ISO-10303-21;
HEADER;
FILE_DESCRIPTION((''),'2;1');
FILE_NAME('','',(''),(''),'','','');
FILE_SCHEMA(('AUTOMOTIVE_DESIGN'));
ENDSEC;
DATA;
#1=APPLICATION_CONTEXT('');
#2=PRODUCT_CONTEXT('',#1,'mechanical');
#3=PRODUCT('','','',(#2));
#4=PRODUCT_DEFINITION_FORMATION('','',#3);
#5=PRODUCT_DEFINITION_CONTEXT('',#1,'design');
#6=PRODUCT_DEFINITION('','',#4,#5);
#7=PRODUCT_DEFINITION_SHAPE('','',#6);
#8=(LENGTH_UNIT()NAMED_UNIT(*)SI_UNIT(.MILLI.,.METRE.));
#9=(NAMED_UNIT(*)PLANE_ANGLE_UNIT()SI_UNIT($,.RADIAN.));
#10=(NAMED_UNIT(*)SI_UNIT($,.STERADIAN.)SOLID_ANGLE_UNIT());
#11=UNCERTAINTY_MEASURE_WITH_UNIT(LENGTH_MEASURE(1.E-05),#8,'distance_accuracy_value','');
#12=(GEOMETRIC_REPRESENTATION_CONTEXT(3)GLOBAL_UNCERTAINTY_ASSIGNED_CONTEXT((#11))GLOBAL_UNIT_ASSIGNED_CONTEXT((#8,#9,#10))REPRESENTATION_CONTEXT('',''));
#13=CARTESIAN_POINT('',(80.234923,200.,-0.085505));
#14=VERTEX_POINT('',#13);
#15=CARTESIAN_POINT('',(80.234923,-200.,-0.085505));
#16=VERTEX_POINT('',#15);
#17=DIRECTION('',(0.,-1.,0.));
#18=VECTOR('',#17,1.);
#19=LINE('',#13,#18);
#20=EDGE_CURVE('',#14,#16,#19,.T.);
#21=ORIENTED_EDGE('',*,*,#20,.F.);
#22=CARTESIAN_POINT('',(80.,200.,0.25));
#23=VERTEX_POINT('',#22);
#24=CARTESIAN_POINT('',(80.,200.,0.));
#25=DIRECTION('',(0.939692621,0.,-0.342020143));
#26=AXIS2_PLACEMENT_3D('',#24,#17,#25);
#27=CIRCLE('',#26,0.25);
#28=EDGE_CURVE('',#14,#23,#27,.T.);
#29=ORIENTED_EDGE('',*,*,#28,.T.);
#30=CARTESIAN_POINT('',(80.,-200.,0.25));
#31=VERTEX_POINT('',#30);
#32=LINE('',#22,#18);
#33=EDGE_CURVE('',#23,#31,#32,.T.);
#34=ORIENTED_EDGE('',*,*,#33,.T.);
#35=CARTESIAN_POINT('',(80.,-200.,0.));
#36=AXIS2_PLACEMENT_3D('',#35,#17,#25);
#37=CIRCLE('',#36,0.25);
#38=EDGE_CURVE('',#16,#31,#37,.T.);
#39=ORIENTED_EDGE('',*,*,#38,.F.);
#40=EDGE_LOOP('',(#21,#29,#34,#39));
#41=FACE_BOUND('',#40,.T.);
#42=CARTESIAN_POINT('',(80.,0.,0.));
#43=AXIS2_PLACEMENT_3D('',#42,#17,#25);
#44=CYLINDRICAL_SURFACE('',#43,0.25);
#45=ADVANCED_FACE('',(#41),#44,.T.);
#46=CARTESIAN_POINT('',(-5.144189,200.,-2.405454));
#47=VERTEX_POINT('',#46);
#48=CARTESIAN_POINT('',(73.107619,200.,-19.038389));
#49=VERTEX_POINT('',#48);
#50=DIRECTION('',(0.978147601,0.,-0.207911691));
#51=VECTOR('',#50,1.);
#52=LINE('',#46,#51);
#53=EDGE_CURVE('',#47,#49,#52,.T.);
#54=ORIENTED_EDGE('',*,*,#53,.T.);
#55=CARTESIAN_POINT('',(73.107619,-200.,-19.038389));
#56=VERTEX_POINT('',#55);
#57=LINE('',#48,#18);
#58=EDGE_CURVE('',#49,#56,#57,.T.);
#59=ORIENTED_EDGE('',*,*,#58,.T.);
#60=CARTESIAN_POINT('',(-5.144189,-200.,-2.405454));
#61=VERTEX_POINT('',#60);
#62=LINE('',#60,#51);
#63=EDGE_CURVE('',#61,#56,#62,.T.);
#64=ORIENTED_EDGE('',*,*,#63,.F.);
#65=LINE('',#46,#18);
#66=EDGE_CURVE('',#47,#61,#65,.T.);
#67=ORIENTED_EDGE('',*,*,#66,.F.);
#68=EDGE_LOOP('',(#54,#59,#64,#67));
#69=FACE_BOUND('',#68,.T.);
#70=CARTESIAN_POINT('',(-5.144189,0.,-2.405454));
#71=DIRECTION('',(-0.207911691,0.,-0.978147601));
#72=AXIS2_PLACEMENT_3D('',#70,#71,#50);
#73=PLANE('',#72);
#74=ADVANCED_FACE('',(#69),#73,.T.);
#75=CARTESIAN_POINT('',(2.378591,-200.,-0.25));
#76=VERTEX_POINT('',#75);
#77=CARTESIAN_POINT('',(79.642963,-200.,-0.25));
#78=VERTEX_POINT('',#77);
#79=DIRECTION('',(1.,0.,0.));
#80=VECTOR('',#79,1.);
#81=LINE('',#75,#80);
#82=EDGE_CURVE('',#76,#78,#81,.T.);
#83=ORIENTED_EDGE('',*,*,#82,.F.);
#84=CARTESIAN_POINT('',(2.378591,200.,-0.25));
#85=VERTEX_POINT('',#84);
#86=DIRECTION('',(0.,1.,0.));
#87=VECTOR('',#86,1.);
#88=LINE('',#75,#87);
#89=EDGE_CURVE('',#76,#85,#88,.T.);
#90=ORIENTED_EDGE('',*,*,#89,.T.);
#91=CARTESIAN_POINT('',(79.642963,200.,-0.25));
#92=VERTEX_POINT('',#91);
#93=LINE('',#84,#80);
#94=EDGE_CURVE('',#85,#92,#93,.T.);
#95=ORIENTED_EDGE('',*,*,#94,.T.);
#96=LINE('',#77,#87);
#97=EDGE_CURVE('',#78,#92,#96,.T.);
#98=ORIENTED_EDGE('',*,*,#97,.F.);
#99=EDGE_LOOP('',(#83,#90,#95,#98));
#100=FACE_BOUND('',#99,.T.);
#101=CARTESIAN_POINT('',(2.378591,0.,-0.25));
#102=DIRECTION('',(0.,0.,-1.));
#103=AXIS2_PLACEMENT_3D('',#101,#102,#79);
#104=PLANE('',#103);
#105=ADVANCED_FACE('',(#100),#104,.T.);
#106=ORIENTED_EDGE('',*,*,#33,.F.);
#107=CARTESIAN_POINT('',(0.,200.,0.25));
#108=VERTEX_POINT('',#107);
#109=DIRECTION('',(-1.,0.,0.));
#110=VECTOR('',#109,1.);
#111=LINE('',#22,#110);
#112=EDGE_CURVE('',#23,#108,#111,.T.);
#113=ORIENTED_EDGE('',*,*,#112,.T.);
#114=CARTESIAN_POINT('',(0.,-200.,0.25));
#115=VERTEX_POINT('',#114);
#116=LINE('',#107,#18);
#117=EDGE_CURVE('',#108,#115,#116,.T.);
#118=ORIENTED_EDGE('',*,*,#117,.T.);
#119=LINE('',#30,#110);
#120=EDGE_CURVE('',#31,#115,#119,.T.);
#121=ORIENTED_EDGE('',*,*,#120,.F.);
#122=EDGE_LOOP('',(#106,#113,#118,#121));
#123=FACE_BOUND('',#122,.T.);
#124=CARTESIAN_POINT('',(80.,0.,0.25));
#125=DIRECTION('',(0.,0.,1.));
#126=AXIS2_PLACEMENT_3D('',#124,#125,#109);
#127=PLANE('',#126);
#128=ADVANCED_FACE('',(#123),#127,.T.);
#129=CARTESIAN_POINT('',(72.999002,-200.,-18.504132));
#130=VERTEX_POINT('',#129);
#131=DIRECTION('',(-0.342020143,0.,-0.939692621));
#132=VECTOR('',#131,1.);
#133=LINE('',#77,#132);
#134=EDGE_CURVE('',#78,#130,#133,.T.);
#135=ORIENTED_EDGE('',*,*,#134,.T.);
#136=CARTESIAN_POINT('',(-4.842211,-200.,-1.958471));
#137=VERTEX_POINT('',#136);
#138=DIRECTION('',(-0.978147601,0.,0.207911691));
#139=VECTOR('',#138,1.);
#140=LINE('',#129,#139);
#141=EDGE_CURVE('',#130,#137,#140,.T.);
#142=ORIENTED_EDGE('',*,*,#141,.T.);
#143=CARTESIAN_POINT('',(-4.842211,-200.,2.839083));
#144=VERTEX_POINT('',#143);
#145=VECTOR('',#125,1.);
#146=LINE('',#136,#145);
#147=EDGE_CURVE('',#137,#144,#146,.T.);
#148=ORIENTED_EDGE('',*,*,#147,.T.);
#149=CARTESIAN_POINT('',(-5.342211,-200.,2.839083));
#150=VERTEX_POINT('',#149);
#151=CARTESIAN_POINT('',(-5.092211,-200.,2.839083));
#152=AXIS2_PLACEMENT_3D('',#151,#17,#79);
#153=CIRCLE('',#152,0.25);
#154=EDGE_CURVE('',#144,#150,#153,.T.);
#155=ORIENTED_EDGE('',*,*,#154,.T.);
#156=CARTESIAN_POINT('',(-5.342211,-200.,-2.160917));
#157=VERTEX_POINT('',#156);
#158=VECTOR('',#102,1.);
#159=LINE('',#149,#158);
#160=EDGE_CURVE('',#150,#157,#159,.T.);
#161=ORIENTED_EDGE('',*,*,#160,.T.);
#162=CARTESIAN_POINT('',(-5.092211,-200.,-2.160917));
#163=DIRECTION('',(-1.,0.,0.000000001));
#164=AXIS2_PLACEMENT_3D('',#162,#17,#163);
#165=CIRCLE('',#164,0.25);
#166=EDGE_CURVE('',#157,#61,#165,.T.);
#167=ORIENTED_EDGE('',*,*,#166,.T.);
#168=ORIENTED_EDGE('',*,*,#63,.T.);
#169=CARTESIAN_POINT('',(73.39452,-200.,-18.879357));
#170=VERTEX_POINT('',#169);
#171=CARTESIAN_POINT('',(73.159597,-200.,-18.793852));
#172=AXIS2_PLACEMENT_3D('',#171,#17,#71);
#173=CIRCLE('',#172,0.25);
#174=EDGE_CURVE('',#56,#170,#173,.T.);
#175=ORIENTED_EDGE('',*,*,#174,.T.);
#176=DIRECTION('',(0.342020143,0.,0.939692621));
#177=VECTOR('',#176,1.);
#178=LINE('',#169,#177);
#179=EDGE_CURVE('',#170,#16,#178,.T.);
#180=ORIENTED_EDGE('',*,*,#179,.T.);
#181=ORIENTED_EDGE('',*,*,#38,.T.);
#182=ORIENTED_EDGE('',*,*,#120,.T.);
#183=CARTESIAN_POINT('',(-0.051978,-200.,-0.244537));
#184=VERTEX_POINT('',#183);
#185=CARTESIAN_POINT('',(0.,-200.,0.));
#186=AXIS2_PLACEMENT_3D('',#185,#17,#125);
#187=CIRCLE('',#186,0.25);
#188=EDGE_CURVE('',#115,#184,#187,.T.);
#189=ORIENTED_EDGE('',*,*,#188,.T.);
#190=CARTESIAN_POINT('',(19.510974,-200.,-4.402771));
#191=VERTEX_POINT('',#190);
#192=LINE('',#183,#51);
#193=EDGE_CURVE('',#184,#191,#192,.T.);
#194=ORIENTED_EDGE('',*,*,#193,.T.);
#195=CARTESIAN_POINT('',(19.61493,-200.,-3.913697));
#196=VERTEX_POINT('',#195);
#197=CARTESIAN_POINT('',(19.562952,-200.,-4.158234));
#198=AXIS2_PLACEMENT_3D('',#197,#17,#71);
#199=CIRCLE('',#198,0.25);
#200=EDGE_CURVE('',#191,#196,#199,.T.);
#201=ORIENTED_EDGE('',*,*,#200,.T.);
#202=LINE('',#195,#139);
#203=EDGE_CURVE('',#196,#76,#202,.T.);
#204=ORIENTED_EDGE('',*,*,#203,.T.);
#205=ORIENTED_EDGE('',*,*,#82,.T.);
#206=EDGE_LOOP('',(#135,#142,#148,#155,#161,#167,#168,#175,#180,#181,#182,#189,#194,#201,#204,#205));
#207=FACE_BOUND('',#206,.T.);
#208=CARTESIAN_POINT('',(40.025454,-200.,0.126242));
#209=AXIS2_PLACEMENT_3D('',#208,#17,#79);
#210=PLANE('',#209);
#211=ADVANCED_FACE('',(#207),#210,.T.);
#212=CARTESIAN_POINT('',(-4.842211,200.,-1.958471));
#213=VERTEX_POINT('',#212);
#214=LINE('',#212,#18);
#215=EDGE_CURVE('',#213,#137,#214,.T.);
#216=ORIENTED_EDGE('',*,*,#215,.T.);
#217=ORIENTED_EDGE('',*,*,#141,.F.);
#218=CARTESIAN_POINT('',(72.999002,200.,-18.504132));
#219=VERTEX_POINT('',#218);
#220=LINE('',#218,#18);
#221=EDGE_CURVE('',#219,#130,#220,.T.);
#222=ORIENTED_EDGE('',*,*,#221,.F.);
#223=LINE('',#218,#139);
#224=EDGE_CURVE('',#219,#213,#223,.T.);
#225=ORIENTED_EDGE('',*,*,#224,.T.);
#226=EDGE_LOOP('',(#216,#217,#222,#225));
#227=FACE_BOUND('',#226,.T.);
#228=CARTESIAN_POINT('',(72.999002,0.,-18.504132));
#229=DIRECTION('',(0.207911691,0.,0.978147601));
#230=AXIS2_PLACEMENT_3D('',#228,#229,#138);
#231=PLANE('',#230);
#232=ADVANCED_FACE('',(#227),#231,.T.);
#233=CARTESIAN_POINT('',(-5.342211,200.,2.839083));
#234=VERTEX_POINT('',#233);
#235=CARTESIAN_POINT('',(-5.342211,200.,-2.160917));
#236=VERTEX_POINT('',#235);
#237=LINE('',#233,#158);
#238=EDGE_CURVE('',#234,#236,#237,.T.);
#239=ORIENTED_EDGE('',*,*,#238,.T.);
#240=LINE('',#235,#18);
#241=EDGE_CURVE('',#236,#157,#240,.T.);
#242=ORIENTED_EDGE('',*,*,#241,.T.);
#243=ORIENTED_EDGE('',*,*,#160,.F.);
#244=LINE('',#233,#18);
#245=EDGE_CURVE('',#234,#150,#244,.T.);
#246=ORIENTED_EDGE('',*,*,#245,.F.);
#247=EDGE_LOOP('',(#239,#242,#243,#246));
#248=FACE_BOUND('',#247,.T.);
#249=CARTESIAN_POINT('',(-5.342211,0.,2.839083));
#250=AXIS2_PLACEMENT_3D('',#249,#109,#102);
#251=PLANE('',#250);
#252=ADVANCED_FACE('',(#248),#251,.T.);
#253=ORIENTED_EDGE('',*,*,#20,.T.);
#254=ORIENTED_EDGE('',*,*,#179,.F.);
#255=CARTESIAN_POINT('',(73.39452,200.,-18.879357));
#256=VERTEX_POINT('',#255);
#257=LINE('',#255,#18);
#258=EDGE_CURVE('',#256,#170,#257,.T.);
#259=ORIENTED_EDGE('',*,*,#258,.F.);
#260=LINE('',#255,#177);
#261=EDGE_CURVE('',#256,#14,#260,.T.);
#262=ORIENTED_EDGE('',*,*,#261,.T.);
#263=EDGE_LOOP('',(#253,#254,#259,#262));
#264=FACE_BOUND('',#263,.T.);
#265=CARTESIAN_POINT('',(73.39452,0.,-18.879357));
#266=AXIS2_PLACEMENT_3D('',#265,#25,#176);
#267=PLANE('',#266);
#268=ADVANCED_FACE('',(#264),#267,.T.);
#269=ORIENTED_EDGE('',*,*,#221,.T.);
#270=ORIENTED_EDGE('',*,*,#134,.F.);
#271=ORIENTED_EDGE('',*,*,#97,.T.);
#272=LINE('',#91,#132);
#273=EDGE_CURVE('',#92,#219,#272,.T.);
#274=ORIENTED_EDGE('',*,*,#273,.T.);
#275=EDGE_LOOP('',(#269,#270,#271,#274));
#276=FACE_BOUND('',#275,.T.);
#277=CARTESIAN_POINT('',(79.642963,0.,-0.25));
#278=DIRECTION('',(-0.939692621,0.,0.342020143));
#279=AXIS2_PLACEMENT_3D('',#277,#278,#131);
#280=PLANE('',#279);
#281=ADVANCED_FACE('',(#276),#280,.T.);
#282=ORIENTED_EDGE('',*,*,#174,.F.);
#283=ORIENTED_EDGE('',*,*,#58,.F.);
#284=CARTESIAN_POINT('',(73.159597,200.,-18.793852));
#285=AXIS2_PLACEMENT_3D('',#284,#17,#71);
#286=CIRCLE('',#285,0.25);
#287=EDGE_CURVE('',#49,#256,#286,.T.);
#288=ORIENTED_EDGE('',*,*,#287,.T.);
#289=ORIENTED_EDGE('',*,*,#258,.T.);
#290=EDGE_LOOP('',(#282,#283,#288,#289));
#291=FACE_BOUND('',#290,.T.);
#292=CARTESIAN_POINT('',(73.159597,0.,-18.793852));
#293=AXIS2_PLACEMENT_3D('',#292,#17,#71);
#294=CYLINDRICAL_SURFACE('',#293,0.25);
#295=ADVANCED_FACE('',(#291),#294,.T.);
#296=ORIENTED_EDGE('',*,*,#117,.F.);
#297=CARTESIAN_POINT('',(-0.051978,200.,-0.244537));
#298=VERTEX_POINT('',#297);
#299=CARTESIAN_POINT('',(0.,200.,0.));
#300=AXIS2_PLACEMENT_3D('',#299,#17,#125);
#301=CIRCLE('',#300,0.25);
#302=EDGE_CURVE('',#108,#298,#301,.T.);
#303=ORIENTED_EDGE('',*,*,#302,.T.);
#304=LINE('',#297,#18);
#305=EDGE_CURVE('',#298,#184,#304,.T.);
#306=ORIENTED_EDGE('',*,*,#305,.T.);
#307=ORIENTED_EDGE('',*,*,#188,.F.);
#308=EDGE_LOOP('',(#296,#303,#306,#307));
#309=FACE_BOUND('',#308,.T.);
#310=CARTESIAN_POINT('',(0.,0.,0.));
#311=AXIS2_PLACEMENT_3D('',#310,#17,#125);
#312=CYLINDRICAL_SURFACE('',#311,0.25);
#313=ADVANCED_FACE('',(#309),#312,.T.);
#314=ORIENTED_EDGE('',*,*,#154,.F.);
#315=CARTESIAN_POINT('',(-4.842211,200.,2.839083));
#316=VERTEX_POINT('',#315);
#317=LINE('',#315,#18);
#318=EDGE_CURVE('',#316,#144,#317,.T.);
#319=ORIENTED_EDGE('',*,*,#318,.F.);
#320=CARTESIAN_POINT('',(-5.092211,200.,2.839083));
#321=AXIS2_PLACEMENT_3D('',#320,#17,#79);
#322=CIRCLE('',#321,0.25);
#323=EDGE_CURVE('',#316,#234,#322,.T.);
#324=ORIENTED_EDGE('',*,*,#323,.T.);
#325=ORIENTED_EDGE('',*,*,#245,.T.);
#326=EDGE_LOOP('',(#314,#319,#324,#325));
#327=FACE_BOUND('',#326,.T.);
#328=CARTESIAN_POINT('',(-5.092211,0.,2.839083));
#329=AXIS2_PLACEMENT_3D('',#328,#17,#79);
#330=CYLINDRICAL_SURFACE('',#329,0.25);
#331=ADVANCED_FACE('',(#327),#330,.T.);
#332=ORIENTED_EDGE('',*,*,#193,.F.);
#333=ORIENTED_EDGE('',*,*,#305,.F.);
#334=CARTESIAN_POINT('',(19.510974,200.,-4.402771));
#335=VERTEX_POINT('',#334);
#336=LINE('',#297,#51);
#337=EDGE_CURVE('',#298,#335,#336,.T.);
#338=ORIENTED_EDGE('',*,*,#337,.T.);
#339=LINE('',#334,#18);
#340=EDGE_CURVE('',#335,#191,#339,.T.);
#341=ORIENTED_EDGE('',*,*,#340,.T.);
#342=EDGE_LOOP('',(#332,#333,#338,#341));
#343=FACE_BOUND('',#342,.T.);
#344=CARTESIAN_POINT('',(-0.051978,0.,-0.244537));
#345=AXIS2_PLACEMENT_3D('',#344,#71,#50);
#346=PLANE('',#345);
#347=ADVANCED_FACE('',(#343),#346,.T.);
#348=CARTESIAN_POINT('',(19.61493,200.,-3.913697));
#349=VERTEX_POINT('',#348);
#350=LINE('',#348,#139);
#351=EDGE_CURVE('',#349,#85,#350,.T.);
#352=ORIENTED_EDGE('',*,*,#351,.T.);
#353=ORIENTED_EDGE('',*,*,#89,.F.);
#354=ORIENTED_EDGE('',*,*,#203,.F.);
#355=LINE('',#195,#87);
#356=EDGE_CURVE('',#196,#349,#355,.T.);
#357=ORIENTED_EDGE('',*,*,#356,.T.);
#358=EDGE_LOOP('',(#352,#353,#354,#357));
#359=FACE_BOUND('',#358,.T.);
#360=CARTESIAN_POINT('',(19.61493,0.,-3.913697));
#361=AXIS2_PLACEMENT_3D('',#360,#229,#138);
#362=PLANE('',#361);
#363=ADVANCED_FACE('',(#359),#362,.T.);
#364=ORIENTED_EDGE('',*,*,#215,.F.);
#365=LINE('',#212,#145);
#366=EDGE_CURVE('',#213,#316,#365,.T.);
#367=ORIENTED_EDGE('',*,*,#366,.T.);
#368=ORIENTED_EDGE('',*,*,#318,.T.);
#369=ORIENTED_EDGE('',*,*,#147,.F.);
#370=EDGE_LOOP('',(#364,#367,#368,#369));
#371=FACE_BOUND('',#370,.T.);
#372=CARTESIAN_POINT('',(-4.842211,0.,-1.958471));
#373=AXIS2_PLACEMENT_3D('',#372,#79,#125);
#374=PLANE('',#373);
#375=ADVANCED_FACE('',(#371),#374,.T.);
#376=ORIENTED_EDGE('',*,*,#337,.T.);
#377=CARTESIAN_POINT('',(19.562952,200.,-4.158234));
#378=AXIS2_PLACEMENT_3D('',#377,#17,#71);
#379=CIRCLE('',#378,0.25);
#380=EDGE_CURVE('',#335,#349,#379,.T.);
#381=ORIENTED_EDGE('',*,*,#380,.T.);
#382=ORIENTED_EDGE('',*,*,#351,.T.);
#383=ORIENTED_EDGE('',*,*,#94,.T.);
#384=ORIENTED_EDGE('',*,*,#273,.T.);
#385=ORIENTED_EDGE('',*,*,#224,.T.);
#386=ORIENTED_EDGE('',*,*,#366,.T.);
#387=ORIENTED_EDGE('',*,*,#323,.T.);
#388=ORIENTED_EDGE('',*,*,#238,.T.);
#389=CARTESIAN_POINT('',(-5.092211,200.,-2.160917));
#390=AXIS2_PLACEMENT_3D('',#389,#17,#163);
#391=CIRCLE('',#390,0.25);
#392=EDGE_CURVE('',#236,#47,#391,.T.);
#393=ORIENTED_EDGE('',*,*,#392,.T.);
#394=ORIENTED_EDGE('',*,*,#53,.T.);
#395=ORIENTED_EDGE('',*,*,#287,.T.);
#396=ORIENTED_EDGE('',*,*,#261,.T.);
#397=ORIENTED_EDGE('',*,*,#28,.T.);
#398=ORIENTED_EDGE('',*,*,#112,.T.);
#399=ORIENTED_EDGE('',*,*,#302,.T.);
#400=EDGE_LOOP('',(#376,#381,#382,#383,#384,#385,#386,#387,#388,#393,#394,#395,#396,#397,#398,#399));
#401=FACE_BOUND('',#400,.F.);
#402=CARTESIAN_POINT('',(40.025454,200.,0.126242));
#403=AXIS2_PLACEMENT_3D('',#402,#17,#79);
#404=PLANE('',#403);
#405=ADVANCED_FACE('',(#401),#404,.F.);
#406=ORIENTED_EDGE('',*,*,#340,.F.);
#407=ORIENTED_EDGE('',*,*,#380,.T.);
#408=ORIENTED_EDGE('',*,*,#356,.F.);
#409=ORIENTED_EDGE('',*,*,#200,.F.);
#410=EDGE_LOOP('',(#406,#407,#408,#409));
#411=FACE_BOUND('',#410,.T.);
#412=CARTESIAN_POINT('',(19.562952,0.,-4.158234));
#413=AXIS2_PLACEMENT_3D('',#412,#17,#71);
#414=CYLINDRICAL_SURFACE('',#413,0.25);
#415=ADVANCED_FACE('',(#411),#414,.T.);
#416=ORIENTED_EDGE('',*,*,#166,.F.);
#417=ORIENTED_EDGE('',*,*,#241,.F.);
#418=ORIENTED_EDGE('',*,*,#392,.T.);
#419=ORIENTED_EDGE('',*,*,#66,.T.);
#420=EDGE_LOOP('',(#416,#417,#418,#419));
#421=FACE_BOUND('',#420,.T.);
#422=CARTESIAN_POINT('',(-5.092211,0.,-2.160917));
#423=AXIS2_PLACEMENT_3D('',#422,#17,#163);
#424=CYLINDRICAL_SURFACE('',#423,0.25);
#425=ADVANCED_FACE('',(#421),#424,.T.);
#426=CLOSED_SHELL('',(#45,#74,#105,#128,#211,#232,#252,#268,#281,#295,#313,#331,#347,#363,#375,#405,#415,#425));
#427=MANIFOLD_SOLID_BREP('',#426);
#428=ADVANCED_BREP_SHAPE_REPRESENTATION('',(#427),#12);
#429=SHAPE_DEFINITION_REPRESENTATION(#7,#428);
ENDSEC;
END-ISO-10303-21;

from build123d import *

# Parameters (mm, degrees)
F1_DEPTH = 200


with BuildPart() as f1:
    # F0 (on Front) → F1 (new body, symmetric)
    with BuildSketch(Plane.XZ):
        with BuildLine():
            Line((0.0519779227, 0.2445369002), (1.2024335862, 0))
            Line((1.2024335862, 0), (79.7339555569, 0))
            Line((79.7339555569, 0), (79.7650768448, 0.0855050358))
            ThreePointArc((79.7650768448, 0.0855050358), (79.8566058909, 0.2047880111), (80, 0.25))
            Line((80, 0.25), (0, 0.25))
            ThreePointArc((0, 0.25), (0.0261321158, 0.2486304738), (0.0519779227, 0.2445369002))
        make_face()
        with BuildLine():
            Line((2.3785911136, -0.25), (1.1761575274, -0.25))
            Line((1.1761575274, -0.25), (0, -0.25))
            ThreePointArc((0, -0.25), (-0.0261321158, -0.2486304738), (-0.0519779227, -0.2445369002))
            Line((-0.0519779227, -0.2445369002), (19.510974092, -4.4027707165))
            ThreePointArc((19.510974092, -4.4027707165), (19.8074889149, -4.2102117391), (19.6149299374, -3.9136969162))
            Line((19.6149299374, -3.9136969162), (2.3785911136, -0.25))
        make_face()
        with BuildLine():
            Line((72.9246739783, -18.7083473799), (72.999002372, -18.5041317967))
            Line((72.999002372, -18.5041317967), (-4.8422109252, -1.958471142))
            Line((-4.8422109252, -1.958471142), (-4.8422109252, -2.1609171503))
            ThreePointArc((-4.8422109252, -2.1609171503), (-4.8435804514, -2.1870492661), (-4.847674025, -2.212895073))
            Line((-4.847674025, -2.212895073), (72.9150602333, -18.741874493))
            ThreePointArc((72.9150602333, -18.741874493), (72.9192817095, -18.7249430768), (72.9246739783, -18.7083473799))
        make_face()
        Polygon((79.7339555569, 0), (1.2024335862, 0), (2.3785911136, -0.25), (79.6429629983, -0.25), align=None)
        with BuildLine():
            Line((80, -0.25), (79.9090074414, -0.25))
            Line((79.9090074414, -0.25), (73.2451021693, -18.5589292605))
            ThreePointArc((73.2451021693, -18.5589292605), (73.3861740802, -18.6881978503), (73.3945202887, -18.8793574515))
            Line((73.3945202887, -18.8793574515), (80.2349231552, -0.0855050358))
            ThreePointArc((80.2349231552, -0.0855050358), (80.1433941091, -0.2047880111), (80, -0.25))
        make_face()
        with BuildLine():
            Line((79.9090074414, -0.25), (79.6429629983, -0.25))
            Line((79.6429629983, -0.25), (72.999002372, -18.5041317967))
            Line((72.999002372, -18.5041317967), (73.2115750562, -18.5493155155))
            ThreePointArc((73.2115750562, -18.5493155155), (73.2285064724, -18.5535369917), (73.2451021693, -18.5589292605))
            Line((73.2451021693, -18.5589292605), (79.9090074414, -0.25))
        make_face()
        with BuildLine():
            ThreePointArc((73.1076192108, -19.0383893159), (72.9499294915, -18.9300121745), (72.9150602333, -18.741874493))
            Line((72.9150602333, -18.741874493), (-4.847674025, -2.212895073))
            ThreePointArc((-4.847674025, -2.212895073), (-4.9560511665, -2.3705847923), (-5.1441888479, -2.4054540505))
            Line((-5.1441888479, -2.4054540505), (73.1076192108, -19.0383893159))
        make_face()
        Polygon((1.2024335862, 0), (0, 0), (1.1761575274, -0.25), (2.3785911136, -0.25), align=None)
        with BuildLine():
            Line((-5.0402330025, -1.9163802501), (-4.8422109252, -1.958471142))
            Line((-4.8422109252, -1.958471142), (-4.8422109252, 2.8390828497))
            ThreePointArc((-4.8422109252, 2.8390828497), (-5.0922109252, 3.0890828497), (-5.3422109252, 2.8390828497))
            Line((-5.3422109252, 2.8390828497), (-5.3422109252, -2.1609171503))
            ThreePointArc((-5.3422109252, -2.1609171503), (-5.2689876205, -1.984140455), (-5.0922109252, -1.9109171503))
            ThreePointArc((-5.0922109252, -1.9109171503), (-5.0660788094, -1.9122866765), (-5.0402330025, -1.9163802501))
        make_face()
        with BuildLine():
            Line((1.1761575274, -0.25), (0, 0))
            Line((0, 0), (1.2024335862, 0))
            Line((1.2024335862, 0), (0.0519779227, 0.2445369002))
            ThreePointArc((0.0519779227, 0.2445369002), (0.0261321158, 0.2486304738), (0, 0.25))
            ThreePointArc((0, 0.25), (-0.2486304738, 0.0261321158), (-0.0519779227, -0.2445369002))
            ThreePointArc((-0.0519779227, -0.2445369002), (-0.0261321158, -0.2486304738), (0, -0.25))
            Line((0, -0.25), (1.1761575274, -0.25))
        make_face()
        with BuildLine():
            Line((79.7650768448, 0.0855050358), (79.7339555569, 0))
            Line((79.7339555569, 0), (80, 0))
            Line((80, 0), (79.9090074414, -0.25))
            Line((79.9090074414, -0.25), (80, -0.25))
            ThreePointArc((80, -0.25), (80.1433941091, -0.2047880111), (80.2349231552, -0.0855050358))
            ThreePointArc((80.2349231552, -0.0855050358), (80.2047880111, 0.1433941091), (80, 0.25))
            ThreePointArc((80, 0.25), (79.8566058909, 0.2047880111), (79.7650768448, 0.0855050358))
        make_face()
        with BuildLine():
            Line((-4.8422109252, -2.1609171503), (-4.8422109252, -1.958471142))
            Line((-4.8422109252, -1.958471142), (-5.0402330025, -1.9163802501))
            ThreePointArc((-5.0402330025, -1.9163802501), (-5.0660788094, -1.9122866765), (-5.0922109252, -1.9109171503))
            Line((-5.0922109252, -1.9109171503), (-5.0922109252, -2.1609171503))
            Line((-5.0922109252, -2.1609171503), (-4.847674025, -2.212895073))
            ThreePointArc((-4.847674025, -2.212895073), (-4.8435804514, -2.1870492661), (-4.8422109252, -2.1609171503))
        make_face()
        Polygon((80, 0), (79.7339555569, 0), (79.6429629983, -0.25), (79.9090074414, -0.25), align=None)
        with BuildLine():
            ThreePointArc((73.3945202887, -18.8793574515), (73.3861740802, -18.6881978503), (73.2451021693, -18.5589292605))
            Line((73.2451021693, -18.5589292605), (73.1595971335, -18.7938524157))
            Line((73.1595971335, -18.7938524157), (72.9150602333, -18.741874493))
            ThreePointArc((72.9150602333, -18.741874493), (72.9499294915, -18.9300121745), (73.1076192108, -19.0383893159))
            ThreePointArc((73.1076192108, -19.0383893159), (73.2807995385, -19.0125073425), (73.3945202887, -18.8793574515))
        make_face()
        with BuildLine():
            Line((73.2115750562, -18.5493155155), (72.999002372, -18.5041317967))
            Line((72.999002372, -18.5041317967), (72.9246739783, -18.7083473799))
            ThreePointArc((72.9246739783, -18.7083473799), (72.9192817095, -18.7249430768), (72.9150602333, -18.741874493))
            Line((72.9150602333, -18.741874493), (73.1595971335, -18.7938524157))
            Line((73.1595971335, -18.7938524157), (73.2451021693, -18.5589292605))
            ThreePointArc((73.2451021693, -18.5589292605), (73.2285064724, -18.5535369917), (73.2115750562, -18.5493155155))
        make_face()
        with BuildLine():
            ThreePointArc((-5.1441888479, -2.4054540505), (-4.9560511665, -2.3705847923), (-4.847674025, -2.212895073))
            Line((-4.847674025, -2.212895073), (-5.0922109252, -2.1609171503))
            Line((-5.0922109252, -2.1609171503), (-5.0922109252, -1.9109171503))
            ThreePointArc((-5.0922109252, -1.9109171503), (-5.2689876205, -1.984140455), (-5.3422109252, -2.1609171503))
            ThreePointArc((-5.3422109252, -2.1609171503), (-5.2864974156, -2.3182472481), (-5.1441888479, -2.4054540505))
        make_face()
    extrude(amount=F1_DEPTH, both=True)


solid = f1.part
